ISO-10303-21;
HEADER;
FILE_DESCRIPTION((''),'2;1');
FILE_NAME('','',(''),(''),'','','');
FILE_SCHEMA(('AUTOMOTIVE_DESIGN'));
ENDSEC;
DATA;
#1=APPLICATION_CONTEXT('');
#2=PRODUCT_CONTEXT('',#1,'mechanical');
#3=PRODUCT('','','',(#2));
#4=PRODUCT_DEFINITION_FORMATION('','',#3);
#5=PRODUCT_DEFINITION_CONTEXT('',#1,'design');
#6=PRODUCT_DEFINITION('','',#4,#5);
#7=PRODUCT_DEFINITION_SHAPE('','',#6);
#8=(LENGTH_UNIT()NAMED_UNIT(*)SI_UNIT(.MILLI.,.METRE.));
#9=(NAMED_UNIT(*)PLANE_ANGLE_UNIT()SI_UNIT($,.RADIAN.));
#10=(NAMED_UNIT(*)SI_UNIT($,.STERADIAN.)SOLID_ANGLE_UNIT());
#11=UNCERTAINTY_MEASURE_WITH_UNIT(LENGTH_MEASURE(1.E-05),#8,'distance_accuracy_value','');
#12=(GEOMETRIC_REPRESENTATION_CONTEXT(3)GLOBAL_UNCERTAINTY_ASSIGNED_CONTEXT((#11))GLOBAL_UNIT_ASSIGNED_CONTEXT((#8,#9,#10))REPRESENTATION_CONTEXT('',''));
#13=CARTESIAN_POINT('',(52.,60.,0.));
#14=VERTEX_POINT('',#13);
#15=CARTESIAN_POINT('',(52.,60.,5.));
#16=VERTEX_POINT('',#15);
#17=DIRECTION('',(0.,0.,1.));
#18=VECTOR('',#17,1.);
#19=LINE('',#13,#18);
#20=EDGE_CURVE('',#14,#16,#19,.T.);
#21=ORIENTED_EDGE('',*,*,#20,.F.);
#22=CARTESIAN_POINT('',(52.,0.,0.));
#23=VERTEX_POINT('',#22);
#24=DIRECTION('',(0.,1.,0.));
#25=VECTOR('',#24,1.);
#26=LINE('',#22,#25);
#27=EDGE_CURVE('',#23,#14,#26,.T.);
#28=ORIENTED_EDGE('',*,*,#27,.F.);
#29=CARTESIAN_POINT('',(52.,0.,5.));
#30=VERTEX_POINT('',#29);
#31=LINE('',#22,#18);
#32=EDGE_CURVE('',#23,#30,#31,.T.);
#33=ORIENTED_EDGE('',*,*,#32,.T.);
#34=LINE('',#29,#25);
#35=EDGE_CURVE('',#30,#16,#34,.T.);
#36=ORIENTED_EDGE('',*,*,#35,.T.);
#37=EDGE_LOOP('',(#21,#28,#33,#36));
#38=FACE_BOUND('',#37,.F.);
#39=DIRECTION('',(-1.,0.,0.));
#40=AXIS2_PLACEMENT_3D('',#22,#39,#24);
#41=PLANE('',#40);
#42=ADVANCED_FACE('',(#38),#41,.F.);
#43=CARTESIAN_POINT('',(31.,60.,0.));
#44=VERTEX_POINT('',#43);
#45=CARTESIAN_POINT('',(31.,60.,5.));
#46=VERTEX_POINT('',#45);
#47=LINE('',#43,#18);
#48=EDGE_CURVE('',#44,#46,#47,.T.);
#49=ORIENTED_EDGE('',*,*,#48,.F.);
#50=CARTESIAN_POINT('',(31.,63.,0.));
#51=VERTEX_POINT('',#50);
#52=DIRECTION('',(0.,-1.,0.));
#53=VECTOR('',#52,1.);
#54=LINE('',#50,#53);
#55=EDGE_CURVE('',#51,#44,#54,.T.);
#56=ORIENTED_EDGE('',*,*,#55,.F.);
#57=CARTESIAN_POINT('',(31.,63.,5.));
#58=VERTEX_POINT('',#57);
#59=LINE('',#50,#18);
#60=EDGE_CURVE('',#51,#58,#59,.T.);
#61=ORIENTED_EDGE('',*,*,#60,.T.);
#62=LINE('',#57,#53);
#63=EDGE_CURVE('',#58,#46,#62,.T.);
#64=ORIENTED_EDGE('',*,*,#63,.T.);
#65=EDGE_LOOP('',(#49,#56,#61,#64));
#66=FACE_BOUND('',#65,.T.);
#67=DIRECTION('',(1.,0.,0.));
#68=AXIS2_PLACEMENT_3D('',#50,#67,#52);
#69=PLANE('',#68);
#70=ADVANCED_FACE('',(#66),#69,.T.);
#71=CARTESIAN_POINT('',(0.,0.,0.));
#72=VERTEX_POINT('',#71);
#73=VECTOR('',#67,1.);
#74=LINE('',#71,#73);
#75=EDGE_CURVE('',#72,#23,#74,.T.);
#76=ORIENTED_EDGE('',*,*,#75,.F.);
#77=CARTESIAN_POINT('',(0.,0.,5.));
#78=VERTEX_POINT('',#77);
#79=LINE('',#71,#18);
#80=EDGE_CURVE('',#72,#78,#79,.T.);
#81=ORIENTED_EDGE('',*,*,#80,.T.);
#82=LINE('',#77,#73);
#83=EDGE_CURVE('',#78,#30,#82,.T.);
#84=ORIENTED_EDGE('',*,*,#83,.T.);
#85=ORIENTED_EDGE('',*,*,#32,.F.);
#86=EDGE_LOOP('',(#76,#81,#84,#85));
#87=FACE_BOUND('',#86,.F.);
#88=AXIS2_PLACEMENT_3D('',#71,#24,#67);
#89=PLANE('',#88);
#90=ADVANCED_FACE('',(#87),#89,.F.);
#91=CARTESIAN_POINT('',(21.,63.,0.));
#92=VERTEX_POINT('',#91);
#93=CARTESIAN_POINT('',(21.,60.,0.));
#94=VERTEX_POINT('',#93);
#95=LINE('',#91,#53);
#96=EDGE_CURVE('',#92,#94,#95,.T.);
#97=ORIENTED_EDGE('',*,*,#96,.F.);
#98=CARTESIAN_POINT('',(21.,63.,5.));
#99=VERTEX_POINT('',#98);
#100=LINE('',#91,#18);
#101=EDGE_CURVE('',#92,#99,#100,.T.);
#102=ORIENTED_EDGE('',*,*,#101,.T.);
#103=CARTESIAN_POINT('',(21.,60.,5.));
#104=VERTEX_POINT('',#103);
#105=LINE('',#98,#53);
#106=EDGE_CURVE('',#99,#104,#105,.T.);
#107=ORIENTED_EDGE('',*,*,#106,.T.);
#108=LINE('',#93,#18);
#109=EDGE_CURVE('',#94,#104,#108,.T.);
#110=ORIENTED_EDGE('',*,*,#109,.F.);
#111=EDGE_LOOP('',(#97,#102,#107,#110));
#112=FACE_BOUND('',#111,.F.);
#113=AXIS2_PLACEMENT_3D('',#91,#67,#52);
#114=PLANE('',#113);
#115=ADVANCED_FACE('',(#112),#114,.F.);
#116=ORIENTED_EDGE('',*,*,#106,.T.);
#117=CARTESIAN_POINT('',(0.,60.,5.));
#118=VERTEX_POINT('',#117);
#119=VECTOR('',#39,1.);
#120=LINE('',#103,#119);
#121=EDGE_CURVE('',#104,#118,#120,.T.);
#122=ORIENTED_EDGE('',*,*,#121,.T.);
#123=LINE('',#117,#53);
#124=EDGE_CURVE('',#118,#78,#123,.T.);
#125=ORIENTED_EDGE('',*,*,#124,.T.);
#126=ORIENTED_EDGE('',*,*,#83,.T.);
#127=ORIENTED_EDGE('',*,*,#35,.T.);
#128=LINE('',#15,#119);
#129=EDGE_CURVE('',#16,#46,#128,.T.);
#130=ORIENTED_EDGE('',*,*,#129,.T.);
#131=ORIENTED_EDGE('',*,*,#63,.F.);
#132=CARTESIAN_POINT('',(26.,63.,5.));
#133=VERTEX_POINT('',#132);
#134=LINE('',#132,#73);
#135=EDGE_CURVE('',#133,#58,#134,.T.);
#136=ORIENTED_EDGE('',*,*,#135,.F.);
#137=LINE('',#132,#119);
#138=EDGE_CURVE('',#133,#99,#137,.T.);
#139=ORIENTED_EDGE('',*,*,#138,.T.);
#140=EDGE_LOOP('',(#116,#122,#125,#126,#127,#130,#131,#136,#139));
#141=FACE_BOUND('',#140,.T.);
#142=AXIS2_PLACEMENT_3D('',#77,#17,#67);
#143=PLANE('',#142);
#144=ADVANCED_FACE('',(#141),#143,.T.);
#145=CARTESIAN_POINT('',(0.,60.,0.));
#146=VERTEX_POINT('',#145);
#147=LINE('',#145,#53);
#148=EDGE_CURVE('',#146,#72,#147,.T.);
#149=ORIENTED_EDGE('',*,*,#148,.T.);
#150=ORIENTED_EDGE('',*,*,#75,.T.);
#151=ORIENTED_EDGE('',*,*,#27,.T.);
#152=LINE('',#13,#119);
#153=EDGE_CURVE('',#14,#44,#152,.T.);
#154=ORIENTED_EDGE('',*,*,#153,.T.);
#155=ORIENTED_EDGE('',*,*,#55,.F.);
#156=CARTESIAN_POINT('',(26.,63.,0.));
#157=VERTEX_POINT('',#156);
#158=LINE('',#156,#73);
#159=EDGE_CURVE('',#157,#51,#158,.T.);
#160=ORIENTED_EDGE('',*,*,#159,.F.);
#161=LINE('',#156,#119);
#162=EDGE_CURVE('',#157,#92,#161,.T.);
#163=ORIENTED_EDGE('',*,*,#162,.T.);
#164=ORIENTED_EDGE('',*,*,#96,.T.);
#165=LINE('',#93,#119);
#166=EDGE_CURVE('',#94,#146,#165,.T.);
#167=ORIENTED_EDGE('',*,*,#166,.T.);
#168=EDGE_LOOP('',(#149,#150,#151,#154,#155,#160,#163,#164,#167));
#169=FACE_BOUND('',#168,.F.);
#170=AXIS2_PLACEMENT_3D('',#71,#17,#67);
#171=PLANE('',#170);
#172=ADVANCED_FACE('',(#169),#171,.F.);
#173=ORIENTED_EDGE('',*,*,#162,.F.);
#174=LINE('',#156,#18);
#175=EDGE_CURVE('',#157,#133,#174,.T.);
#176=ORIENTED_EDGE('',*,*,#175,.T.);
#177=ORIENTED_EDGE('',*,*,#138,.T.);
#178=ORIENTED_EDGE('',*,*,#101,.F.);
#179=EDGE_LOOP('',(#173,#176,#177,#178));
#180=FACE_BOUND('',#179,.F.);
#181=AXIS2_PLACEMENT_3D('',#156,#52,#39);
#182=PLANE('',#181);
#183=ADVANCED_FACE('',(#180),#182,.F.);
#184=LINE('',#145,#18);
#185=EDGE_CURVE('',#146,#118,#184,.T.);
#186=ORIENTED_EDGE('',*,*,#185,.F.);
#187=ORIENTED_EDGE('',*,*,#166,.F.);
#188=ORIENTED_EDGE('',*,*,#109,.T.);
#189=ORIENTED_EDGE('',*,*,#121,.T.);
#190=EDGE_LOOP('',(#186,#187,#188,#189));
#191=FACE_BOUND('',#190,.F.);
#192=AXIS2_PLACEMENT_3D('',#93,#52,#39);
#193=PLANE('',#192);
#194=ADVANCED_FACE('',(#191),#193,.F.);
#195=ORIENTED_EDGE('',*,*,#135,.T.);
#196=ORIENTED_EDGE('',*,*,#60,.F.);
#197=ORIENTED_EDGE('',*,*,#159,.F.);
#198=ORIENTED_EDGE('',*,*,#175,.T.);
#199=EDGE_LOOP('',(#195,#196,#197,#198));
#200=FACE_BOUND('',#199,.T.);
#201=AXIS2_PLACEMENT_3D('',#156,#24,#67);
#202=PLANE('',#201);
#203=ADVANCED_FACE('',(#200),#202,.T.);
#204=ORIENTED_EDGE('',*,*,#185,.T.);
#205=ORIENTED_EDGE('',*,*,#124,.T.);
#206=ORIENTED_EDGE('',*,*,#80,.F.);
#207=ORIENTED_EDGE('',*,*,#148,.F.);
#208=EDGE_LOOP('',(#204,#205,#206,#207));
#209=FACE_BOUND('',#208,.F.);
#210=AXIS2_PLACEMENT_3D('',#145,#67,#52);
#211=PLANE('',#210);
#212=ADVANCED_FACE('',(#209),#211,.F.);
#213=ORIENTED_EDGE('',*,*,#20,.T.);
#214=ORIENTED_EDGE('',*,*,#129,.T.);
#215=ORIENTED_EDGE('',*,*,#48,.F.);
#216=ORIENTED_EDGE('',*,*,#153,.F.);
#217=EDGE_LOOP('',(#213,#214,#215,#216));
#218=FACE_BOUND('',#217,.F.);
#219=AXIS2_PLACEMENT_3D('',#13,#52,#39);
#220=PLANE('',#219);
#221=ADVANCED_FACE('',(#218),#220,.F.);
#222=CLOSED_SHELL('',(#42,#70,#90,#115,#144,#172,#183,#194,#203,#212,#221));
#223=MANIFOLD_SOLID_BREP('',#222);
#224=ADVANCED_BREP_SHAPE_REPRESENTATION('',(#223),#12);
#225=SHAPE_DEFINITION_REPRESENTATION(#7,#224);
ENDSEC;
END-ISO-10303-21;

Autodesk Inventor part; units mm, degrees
ref_plane "YZ Plane" through (0, 0, 0) normal (1, 0, 0) x (0, 1, 0)
ref_plane "XZ Plane" through (0, 0, 0) normal (0, 1, 0) x (-1, 0, 0)
ref_plane "XY Plane" through (0, 0, 0) normal (0, 0, 1) x (1, 0, 0)
sketch "Boceto1" plane through (0, 0, 0) normal (0, 0, 1) x (1, 0, 0)
  line L0 (0, 0) -> (52, 0)
  line L1 (52, 0) -> (52, 60)
  line L2 (0, 60) -> (0, 0)
  line L3 (26, 63) -> (21, 63)
  line L4 (21, 63) -> (21, 60)
  line L5 (26, 63) -> (31, 63)
  line L6 (31, 63) -> (31, 60)
  line L7 (52, 60) -> (31, 60)
  line L8 (21, 60) -> (0, 60)
  dimension "d0" = 52
  dimension "d1" = 60
extrude "Extrusión1" add sketch "Boceto1" along normal blind 5
properties part number "bateria"
